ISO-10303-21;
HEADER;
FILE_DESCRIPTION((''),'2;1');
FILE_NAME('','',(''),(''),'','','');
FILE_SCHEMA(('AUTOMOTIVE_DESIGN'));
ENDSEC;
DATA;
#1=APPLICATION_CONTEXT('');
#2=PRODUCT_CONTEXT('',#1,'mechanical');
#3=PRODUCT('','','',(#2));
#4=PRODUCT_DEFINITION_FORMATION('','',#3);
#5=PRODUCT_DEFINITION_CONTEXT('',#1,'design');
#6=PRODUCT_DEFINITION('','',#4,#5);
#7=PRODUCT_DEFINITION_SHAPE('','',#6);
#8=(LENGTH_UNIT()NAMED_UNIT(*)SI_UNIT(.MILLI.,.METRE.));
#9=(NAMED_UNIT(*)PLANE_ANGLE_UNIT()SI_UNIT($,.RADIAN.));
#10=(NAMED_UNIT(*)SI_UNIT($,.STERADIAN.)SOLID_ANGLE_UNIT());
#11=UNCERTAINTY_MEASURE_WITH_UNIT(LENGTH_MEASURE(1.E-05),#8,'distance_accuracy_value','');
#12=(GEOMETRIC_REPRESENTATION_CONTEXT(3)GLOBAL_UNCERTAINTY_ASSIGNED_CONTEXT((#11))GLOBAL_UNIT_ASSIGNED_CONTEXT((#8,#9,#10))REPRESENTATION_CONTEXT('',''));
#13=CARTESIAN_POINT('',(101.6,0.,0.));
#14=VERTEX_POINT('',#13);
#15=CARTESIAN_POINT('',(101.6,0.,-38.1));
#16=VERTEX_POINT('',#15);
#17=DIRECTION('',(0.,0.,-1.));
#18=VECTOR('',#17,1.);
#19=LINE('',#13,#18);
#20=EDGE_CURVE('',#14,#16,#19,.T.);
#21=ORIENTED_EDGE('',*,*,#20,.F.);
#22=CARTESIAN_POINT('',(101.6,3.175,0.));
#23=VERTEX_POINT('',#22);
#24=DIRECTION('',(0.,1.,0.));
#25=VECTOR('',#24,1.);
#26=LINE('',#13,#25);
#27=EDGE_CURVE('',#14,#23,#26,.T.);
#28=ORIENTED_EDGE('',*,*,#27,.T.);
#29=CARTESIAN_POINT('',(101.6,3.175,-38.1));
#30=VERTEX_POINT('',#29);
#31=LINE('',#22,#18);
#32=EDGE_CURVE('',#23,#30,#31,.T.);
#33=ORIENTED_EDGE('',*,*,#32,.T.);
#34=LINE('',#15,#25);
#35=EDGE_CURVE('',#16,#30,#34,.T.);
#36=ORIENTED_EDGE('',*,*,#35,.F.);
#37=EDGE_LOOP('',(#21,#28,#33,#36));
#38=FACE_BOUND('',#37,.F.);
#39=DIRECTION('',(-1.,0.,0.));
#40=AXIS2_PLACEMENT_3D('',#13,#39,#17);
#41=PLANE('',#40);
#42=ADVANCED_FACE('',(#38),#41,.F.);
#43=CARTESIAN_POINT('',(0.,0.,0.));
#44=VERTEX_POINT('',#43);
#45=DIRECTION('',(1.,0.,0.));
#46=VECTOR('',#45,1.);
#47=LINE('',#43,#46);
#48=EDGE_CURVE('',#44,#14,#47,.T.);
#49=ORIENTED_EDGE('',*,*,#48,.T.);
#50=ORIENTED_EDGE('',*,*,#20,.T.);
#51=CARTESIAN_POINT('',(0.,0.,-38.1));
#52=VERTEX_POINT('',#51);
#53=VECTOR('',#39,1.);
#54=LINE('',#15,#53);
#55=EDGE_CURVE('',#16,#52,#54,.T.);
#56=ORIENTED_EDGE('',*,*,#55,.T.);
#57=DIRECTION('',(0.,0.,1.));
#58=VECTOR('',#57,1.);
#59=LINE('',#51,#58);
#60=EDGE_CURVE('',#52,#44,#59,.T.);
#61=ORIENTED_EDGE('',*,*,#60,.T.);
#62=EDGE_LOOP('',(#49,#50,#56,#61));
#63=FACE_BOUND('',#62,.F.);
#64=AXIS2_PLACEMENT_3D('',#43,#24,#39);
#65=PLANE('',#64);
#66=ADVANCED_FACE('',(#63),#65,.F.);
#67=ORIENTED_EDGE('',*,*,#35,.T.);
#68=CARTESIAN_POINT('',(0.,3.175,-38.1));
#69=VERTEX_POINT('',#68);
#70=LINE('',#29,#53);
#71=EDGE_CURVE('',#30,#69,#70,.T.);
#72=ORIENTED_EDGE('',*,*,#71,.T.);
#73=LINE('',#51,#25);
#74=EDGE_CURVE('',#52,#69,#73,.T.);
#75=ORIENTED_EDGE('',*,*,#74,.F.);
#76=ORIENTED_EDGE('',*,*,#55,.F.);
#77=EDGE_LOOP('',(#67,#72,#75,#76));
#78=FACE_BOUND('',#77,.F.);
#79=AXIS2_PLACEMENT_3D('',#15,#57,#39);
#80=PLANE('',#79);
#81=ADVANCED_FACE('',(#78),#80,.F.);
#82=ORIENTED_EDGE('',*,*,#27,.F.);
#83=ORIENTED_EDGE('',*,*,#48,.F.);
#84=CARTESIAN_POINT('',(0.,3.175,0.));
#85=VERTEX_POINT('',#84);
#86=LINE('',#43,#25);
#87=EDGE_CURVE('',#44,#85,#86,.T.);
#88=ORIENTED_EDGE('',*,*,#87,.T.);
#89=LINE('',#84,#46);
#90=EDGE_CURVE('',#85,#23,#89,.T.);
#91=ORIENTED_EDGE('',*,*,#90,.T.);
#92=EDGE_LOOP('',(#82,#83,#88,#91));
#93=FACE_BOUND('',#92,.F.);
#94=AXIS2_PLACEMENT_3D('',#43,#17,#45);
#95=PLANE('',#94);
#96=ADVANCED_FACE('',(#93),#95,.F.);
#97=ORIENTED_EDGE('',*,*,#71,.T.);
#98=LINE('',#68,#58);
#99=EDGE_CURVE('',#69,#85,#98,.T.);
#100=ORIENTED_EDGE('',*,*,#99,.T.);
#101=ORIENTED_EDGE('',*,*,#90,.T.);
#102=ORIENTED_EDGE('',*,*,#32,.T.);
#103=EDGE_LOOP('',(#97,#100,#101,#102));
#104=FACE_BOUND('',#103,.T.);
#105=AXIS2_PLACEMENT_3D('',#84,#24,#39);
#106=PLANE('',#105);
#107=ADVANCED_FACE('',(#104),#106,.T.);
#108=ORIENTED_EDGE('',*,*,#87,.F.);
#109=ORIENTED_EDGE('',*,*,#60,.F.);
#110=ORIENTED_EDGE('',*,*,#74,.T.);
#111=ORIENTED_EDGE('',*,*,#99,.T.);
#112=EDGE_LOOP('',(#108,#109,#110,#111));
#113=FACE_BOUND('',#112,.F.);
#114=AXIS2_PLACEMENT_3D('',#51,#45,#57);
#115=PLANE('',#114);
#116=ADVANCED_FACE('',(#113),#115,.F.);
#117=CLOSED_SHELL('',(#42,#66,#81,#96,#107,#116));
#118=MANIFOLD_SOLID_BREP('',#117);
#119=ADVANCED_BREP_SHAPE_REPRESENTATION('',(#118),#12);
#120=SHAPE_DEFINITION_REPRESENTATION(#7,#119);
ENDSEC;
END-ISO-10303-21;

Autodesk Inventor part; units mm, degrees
ref_plane "YZ Plane" through (0, 0, 0) normal (1, 0, 0) x (0, 1, 0)
ref_plane "XZ Plane" through (0, 0, 0) normal (0, 1, 0) x (-1, 0, 0)
ref_plane "XY Plane" through (0, 0, 0) normal (0, 0, 1) x (1, 0, 0)
sketch "Sketch1" plane through (0, 0, 0) normal (0, 1, 0) x (-1, 0, 0)
  line L0 (0, 0) -> (-101.6, 0)
  line L1 (-101.6, 0) -> (-101.6, -38.1)
  line L2 (-101.6, -38.1) -> (0, -38.1)
  line L3 (0, -38.1) -> (0, 0)
  dimension "d0" = 101.6
  dimension "d1" = 38.1
extrude "Extrusion1" add sketch "Sketch1" along normal blind 3.175
sketch "Sketch2" plane through (0, 3.175, 0) normal (0, 1, 0) x (1, 0, 0)
  point P0 (0, 0)
properties part number "powerreg"
